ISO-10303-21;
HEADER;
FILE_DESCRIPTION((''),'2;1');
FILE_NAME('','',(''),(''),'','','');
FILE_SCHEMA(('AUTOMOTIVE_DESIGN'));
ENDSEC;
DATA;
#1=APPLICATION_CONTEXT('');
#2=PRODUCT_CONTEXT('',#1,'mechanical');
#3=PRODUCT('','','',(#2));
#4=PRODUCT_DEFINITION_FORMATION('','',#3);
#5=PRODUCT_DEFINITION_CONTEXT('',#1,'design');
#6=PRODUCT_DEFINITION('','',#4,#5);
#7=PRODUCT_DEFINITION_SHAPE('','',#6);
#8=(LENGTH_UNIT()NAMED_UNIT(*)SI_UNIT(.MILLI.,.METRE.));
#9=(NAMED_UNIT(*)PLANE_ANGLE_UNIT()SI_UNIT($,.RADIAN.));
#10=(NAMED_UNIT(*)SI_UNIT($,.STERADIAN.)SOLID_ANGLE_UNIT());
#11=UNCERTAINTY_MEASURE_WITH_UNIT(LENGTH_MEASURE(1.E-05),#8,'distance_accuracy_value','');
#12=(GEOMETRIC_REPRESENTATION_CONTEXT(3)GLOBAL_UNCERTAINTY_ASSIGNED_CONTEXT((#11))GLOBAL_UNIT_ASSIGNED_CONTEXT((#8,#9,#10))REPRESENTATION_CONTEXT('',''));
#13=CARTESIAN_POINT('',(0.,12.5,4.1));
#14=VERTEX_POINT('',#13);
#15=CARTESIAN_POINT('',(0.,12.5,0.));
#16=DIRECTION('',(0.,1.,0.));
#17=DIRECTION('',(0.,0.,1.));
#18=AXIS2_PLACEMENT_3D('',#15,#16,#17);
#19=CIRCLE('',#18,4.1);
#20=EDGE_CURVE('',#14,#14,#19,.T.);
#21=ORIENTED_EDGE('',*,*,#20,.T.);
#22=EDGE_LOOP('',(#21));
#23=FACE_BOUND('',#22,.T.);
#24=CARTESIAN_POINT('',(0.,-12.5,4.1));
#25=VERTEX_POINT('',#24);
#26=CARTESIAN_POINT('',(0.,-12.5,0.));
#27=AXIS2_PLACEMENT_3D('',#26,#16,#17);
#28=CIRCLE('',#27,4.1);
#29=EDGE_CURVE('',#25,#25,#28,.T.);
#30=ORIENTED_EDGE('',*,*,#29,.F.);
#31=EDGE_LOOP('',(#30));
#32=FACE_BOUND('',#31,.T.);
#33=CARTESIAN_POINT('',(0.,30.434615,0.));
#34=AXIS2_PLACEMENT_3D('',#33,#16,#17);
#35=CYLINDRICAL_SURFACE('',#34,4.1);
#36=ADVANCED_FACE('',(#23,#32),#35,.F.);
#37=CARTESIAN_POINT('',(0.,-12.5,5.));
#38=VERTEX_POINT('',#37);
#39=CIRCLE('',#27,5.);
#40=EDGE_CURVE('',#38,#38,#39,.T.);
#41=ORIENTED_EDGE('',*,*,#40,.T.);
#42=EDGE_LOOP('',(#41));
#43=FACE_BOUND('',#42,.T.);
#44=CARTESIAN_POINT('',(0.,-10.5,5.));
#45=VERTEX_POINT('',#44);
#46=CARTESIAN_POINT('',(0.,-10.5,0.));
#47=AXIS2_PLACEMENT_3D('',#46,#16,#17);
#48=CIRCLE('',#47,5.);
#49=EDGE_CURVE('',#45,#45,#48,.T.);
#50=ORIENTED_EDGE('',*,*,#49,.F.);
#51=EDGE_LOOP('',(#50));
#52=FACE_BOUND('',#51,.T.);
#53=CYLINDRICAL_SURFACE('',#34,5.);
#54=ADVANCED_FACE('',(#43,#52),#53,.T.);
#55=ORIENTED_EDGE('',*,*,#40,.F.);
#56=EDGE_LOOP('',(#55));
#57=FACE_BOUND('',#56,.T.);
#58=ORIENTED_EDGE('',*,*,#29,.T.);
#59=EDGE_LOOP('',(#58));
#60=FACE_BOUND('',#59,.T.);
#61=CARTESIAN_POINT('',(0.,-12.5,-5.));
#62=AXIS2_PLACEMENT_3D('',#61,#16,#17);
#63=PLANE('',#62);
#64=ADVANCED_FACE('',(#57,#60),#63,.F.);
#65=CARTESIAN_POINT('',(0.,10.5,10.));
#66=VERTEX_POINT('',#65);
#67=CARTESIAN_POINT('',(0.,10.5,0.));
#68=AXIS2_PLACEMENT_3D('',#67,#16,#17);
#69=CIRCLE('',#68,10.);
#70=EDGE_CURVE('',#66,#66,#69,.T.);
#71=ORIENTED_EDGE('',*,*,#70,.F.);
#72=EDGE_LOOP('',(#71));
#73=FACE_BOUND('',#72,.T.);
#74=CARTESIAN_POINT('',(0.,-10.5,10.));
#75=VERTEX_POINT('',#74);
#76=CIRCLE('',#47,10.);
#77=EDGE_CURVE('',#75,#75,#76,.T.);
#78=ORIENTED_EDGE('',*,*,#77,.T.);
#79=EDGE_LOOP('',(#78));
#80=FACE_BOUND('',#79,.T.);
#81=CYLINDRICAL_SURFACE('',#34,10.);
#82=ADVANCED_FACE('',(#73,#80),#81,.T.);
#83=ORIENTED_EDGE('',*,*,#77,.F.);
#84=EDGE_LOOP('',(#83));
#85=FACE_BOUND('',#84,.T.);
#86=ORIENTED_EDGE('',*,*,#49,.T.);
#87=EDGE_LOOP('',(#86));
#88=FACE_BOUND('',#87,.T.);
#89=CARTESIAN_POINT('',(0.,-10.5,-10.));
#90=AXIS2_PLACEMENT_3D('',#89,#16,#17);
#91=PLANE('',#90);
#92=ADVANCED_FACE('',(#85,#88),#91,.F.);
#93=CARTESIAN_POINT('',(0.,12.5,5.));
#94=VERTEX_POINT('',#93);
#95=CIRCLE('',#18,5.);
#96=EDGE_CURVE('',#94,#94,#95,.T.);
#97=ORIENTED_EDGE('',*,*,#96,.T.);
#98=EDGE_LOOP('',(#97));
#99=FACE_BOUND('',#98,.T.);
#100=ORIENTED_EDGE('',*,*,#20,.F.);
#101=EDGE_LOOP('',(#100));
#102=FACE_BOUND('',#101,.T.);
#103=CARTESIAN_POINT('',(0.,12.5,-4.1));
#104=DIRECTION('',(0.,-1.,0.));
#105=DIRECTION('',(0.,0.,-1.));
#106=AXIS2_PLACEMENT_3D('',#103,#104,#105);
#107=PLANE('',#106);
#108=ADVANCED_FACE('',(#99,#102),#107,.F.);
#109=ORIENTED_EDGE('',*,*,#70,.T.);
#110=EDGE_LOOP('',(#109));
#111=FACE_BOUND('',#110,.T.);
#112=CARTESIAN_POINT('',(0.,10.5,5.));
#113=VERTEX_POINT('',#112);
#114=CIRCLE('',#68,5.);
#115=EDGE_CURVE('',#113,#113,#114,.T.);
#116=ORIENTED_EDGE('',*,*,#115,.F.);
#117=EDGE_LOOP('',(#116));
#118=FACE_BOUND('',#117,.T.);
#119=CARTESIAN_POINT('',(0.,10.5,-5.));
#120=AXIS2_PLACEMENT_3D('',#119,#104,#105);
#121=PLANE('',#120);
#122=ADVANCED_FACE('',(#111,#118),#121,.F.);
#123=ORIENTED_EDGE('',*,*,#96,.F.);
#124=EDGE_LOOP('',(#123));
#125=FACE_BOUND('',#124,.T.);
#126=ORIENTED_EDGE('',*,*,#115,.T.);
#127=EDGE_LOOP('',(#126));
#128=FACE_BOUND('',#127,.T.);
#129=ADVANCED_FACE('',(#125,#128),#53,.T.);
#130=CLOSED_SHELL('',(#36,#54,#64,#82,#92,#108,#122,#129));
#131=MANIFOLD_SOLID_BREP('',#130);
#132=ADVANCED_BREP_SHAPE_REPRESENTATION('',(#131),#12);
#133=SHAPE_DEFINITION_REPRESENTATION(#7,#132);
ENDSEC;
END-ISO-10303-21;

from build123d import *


with BuildPart() as part:
    # Sketch1 → Revolve1 (revolve)
    with BuildSketch(Plane(origin=(0, 0, 0), x_dir=(0, 0, -1), z_dir=(1, 0, 0)), mode=Mode.PRIVATE) as revolve1_sk:
        Polygon((4.1, 12.5), (4.1, -12.5), (5, -12.5), (5, -10.5), (10, -10.5), (10, 10.5), (5, 10.5), (5, 12.5), align=None)
    revolve(revolve1_sk.sketch.rotate(Axis((0, 30.434615385, 0), (0, -1, 0)), 180), axis=Axis((0, 30.434615385, 0), (0, -1, 0)))


solid = part.part
